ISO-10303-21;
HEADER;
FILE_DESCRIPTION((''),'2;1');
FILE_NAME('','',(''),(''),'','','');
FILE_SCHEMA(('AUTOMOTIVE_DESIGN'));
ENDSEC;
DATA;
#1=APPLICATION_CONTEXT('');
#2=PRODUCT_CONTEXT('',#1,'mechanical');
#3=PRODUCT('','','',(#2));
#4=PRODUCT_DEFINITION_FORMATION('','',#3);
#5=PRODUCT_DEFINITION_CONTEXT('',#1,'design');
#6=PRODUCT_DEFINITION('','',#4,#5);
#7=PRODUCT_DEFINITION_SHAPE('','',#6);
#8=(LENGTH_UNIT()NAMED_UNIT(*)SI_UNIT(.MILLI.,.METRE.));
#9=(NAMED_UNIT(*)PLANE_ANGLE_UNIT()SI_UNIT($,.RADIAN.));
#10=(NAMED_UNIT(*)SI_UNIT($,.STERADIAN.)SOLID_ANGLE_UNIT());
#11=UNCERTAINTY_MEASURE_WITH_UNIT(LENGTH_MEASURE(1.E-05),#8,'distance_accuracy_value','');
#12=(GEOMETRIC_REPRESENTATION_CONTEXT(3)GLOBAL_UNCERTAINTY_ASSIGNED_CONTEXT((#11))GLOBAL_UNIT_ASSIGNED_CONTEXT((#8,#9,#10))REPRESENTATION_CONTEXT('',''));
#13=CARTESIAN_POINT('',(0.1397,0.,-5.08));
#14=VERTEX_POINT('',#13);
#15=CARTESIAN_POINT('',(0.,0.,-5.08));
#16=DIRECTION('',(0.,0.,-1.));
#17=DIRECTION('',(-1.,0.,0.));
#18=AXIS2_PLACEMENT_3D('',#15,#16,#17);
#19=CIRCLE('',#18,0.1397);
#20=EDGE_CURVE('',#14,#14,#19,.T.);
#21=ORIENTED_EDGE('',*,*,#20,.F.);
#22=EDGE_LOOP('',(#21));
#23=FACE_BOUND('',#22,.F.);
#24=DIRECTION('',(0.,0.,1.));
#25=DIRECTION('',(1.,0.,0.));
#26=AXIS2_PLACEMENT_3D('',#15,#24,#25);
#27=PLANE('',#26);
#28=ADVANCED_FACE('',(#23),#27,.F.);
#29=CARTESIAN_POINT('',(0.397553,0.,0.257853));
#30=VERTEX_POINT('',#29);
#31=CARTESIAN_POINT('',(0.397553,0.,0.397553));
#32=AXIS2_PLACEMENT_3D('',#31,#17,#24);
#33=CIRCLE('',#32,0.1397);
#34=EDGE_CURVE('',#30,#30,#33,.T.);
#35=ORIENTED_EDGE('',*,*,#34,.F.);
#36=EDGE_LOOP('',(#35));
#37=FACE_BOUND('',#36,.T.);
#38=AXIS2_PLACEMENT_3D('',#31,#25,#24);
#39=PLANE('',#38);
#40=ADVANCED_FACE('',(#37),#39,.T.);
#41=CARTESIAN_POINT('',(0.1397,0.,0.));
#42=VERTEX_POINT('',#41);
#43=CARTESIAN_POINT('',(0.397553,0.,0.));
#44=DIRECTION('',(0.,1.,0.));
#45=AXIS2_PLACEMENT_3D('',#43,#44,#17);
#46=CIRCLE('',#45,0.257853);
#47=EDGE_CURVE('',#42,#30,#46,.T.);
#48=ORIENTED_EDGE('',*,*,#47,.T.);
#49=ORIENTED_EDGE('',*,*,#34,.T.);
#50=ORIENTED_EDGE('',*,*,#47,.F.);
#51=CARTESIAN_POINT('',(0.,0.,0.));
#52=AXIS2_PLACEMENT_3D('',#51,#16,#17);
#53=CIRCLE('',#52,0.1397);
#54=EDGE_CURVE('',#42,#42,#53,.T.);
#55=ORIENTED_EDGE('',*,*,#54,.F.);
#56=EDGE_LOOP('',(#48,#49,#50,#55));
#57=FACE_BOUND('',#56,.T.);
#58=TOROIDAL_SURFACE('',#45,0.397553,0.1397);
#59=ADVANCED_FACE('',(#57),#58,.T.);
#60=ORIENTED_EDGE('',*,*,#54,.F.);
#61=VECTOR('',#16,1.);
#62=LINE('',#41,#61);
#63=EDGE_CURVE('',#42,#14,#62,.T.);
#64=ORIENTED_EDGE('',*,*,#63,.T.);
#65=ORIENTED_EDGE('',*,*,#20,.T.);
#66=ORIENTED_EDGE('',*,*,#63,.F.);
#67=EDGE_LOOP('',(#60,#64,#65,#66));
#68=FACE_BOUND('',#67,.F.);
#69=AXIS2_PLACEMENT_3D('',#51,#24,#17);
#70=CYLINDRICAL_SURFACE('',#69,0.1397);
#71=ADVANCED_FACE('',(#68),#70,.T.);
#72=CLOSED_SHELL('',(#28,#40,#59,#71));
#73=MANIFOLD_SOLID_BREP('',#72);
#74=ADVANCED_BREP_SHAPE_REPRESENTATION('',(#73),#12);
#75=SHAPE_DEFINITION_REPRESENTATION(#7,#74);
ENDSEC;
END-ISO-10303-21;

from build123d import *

# Parameters (mm, degrees)
F0_R     = 0.1397
F3_DEPTH = 5.08


with BuildPart() as f2:
    # F2: sweep along a path in F1
    with BuildLine(Plane.XZ) as f2_path:
        ThreePointArc((0, 0), (0.1164404579, 0.2811121327), (0.3975525906, 0.3975525906))
    # F0 (on Top) → F2 (sweep)
    with BuildSketch(Plane.XY):
        Circle(F0_R)
    sweep(path=f2_path.line)

    # F3 (add): a face of the model
    f3_faces = [f2.faces().sort_by_distance(p)[0] for p in [
        (0, 0, 0),
    ]]
    extrude(f3_faces, amount=F3_DEPTH)


solid = f2.part
